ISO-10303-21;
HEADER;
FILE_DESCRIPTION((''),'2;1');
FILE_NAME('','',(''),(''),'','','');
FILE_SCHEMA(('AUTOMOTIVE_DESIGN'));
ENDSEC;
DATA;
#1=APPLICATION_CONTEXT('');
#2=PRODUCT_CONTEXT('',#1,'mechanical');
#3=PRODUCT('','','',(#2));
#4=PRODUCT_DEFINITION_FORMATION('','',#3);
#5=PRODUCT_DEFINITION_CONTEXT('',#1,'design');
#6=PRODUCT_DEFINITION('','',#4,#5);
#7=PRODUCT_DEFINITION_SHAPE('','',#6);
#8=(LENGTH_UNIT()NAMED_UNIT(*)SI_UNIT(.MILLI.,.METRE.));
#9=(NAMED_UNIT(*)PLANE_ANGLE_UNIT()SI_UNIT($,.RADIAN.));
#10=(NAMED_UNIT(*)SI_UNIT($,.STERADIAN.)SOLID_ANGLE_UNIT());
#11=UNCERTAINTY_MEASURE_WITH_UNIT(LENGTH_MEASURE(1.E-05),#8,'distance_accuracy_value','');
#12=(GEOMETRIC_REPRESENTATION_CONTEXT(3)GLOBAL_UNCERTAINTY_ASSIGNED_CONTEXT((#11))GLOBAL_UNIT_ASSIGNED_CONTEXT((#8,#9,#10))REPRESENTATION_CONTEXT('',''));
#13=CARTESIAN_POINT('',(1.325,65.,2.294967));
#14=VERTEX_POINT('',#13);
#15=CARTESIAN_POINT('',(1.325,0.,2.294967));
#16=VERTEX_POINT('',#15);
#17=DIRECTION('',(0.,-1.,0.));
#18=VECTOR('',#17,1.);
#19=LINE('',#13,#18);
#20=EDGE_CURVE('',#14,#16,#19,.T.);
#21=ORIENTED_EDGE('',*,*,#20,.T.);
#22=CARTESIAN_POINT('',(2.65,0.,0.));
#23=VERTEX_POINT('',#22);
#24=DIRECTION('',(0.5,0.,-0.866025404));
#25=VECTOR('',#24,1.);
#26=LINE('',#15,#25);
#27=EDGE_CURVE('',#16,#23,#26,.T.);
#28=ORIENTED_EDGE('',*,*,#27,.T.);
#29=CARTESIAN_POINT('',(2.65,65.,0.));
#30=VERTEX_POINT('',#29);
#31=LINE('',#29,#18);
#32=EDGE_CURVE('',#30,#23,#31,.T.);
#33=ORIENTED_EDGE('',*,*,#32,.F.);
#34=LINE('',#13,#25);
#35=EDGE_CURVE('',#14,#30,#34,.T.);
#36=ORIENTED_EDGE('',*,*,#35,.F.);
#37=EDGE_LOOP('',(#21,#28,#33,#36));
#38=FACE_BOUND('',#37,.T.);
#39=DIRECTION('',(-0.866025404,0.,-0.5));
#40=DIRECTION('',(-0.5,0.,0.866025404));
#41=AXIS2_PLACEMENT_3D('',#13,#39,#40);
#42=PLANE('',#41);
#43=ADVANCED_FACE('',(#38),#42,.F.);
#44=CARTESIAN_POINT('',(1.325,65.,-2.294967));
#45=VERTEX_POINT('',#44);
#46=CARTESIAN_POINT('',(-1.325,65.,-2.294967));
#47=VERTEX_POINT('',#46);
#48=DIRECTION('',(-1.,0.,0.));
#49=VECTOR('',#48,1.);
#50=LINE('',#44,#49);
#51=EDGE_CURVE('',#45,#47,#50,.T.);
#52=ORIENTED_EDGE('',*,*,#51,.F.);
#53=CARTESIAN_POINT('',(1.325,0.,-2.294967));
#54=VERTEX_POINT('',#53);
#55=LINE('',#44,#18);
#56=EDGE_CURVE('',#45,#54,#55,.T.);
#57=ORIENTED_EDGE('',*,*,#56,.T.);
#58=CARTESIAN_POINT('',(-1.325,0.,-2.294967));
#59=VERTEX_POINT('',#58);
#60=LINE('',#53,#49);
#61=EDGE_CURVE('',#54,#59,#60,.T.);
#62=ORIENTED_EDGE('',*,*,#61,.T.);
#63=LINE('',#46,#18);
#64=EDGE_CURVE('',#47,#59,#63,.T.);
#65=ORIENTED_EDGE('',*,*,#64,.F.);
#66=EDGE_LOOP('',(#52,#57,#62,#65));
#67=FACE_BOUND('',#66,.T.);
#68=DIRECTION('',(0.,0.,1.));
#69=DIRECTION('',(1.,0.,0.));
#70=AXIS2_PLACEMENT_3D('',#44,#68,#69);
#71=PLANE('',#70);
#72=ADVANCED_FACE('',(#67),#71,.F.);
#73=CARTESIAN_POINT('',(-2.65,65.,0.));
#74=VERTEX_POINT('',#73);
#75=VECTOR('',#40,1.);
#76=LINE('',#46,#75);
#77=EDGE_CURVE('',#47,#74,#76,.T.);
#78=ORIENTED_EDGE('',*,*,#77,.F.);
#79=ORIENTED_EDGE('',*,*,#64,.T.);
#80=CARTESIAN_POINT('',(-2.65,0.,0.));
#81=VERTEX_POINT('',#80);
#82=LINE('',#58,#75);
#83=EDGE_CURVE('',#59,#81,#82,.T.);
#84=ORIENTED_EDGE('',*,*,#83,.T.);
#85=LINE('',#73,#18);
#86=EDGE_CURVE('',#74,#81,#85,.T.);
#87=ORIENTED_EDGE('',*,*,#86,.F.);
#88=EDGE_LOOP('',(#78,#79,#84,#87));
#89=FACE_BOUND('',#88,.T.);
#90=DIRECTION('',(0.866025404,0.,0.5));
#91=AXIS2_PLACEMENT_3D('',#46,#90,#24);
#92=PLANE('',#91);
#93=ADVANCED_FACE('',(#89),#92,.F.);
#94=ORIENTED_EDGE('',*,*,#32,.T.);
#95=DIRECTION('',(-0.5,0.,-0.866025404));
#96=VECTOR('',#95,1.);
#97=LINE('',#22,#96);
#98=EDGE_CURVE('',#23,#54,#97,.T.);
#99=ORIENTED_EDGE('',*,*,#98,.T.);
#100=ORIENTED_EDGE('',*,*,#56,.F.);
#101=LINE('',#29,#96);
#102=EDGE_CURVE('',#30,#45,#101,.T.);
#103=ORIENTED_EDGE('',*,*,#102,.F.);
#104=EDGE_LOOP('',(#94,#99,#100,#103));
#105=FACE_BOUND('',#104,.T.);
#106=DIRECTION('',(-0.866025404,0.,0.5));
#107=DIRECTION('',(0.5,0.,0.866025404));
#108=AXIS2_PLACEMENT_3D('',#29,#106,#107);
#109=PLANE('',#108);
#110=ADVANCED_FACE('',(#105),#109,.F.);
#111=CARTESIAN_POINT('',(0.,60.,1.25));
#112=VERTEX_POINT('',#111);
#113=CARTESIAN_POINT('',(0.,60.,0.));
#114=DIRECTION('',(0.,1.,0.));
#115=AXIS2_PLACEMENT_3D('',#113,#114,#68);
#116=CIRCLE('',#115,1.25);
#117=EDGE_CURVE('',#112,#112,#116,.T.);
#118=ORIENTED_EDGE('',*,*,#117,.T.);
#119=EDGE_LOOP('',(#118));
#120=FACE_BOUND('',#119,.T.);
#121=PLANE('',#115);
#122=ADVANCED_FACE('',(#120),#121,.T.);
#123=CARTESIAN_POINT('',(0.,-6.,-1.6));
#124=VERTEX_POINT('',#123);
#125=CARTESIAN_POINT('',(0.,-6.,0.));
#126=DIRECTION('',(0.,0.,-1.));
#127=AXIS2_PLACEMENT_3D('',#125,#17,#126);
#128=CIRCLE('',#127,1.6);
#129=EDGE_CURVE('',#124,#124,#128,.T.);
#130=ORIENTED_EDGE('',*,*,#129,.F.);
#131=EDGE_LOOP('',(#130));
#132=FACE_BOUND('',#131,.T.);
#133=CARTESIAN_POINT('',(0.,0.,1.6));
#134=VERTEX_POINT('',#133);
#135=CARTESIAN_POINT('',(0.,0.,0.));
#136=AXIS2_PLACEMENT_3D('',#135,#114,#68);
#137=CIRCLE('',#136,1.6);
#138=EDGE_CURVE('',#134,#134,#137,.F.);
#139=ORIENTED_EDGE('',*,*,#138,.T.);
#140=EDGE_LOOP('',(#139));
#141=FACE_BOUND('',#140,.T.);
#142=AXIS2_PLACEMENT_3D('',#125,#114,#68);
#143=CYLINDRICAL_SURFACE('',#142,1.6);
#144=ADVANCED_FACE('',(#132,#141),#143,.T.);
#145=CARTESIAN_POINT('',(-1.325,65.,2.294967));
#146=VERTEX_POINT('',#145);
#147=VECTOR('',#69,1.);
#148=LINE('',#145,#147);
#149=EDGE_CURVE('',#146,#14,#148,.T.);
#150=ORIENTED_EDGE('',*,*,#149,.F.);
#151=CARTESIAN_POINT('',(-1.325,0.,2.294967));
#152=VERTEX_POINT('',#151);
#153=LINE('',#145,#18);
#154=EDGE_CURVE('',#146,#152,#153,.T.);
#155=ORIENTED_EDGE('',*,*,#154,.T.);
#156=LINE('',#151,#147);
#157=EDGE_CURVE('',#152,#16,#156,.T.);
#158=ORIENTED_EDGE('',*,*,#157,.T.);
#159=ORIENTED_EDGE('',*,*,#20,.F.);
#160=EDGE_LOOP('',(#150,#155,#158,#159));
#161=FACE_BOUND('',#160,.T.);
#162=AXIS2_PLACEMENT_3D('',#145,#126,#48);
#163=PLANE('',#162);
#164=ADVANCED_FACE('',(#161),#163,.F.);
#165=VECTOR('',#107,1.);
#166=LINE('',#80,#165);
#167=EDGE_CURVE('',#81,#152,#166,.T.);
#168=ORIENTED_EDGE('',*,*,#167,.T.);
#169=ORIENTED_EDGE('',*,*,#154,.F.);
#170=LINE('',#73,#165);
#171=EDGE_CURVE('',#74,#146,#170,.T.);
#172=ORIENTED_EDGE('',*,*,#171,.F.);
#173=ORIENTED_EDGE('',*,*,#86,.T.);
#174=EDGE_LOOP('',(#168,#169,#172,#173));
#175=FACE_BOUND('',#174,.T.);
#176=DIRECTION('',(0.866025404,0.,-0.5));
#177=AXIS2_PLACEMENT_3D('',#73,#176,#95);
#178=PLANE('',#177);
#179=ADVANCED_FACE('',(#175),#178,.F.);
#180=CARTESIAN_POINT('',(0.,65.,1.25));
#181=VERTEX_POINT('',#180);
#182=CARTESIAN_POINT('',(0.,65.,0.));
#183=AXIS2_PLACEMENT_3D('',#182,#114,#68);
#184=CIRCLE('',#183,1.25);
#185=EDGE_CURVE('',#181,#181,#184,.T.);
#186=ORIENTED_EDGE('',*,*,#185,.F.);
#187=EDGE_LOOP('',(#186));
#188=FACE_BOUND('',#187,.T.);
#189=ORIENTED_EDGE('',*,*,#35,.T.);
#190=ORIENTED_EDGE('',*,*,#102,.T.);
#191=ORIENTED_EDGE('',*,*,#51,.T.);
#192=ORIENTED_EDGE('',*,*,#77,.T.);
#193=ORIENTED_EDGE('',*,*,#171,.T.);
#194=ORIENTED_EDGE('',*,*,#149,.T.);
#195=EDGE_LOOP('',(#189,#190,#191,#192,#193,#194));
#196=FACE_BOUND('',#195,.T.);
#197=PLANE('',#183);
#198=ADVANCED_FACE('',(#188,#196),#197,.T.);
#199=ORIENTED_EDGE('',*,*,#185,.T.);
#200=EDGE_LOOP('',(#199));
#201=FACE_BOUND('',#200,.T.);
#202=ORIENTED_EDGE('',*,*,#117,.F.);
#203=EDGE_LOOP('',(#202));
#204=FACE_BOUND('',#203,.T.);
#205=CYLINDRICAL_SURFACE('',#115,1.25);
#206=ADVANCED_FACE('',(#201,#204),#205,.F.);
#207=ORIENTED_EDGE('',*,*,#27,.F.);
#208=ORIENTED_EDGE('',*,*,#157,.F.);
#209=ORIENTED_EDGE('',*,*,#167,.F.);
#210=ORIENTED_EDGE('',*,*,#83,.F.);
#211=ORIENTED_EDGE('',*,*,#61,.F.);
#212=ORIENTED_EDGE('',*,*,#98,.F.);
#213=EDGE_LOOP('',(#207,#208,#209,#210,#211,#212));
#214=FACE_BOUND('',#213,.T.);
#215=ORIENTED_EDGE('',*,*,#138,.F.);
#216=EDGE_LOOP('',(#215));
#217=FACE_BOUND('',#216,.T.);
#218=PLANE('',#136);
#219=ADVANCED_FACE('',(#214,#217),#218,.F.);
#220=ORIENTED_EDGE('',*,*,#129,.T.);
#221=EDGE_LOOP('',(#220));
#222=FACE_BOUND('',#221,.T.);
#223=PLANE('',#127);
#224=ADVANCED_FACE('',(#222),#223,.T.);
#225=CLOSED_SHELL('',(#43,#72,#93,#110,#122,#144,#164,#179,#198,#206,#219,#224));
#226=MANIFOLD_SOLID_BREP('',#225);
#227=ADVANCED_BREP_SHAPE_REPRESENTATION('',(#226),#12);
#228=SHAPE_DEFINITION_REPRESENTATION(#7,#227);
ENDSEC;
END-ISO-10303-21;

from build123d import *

# Parameters (mm, degrees)
EXTRUDE_1_DEPTH     = 65
SKETCH_6_R          = 1.6
EXTRUDE_2_DEPTH     = 6
SKETCH_7_R          = 1.25
CUT_EXTRUDE_1_DEPTH = 5


with BuildPart() as part:
    # 草图4 → 凸台-拉伸1 (new body)
    with BuildSketch(Plane(origin=(0, 0, 0), x_dir=(1, 0, 0), z_dir=(0, 1, 0))):
        Polygon((1.325, -2.29496732), (2.65, 0), (1.325, 2.29496732), (-1.325, 2.29496732), (-2.65, 0), (-1.325, -2.29496732), align=None)
    extrude(amount=EXTRUDE_1_DEPTH)

    # 草图6 → 凸台-拉伸2 (add)
    with BuildSketch(Plane(origin=(0, 0, 0), x_dir=(-1, 0, 0), z_dir=(0, -1, 0))):
        with Locations(Location((0, 0, 0), (0, 0, 270))):
            Circle(SKETCH_6_R)
    extrude(amount=EXTRUDE_2_DEPTH)

    # 草图7 → 切除-拉伸1 (cut)
    with BuildSketch(Plane(origin=(0, 65, 0), x_dir=(1, 0, 0), z_dir=(0, 1, 0))):
        with Locations(Location((0, 0, 0), (0, 0, 270))):
            Circle(SKETCH_7_R)
    extrude(amount=-CUT_EXTRUDE_1_DEPTH, mode=Mode.SUBTRACT)


solid = part.part
